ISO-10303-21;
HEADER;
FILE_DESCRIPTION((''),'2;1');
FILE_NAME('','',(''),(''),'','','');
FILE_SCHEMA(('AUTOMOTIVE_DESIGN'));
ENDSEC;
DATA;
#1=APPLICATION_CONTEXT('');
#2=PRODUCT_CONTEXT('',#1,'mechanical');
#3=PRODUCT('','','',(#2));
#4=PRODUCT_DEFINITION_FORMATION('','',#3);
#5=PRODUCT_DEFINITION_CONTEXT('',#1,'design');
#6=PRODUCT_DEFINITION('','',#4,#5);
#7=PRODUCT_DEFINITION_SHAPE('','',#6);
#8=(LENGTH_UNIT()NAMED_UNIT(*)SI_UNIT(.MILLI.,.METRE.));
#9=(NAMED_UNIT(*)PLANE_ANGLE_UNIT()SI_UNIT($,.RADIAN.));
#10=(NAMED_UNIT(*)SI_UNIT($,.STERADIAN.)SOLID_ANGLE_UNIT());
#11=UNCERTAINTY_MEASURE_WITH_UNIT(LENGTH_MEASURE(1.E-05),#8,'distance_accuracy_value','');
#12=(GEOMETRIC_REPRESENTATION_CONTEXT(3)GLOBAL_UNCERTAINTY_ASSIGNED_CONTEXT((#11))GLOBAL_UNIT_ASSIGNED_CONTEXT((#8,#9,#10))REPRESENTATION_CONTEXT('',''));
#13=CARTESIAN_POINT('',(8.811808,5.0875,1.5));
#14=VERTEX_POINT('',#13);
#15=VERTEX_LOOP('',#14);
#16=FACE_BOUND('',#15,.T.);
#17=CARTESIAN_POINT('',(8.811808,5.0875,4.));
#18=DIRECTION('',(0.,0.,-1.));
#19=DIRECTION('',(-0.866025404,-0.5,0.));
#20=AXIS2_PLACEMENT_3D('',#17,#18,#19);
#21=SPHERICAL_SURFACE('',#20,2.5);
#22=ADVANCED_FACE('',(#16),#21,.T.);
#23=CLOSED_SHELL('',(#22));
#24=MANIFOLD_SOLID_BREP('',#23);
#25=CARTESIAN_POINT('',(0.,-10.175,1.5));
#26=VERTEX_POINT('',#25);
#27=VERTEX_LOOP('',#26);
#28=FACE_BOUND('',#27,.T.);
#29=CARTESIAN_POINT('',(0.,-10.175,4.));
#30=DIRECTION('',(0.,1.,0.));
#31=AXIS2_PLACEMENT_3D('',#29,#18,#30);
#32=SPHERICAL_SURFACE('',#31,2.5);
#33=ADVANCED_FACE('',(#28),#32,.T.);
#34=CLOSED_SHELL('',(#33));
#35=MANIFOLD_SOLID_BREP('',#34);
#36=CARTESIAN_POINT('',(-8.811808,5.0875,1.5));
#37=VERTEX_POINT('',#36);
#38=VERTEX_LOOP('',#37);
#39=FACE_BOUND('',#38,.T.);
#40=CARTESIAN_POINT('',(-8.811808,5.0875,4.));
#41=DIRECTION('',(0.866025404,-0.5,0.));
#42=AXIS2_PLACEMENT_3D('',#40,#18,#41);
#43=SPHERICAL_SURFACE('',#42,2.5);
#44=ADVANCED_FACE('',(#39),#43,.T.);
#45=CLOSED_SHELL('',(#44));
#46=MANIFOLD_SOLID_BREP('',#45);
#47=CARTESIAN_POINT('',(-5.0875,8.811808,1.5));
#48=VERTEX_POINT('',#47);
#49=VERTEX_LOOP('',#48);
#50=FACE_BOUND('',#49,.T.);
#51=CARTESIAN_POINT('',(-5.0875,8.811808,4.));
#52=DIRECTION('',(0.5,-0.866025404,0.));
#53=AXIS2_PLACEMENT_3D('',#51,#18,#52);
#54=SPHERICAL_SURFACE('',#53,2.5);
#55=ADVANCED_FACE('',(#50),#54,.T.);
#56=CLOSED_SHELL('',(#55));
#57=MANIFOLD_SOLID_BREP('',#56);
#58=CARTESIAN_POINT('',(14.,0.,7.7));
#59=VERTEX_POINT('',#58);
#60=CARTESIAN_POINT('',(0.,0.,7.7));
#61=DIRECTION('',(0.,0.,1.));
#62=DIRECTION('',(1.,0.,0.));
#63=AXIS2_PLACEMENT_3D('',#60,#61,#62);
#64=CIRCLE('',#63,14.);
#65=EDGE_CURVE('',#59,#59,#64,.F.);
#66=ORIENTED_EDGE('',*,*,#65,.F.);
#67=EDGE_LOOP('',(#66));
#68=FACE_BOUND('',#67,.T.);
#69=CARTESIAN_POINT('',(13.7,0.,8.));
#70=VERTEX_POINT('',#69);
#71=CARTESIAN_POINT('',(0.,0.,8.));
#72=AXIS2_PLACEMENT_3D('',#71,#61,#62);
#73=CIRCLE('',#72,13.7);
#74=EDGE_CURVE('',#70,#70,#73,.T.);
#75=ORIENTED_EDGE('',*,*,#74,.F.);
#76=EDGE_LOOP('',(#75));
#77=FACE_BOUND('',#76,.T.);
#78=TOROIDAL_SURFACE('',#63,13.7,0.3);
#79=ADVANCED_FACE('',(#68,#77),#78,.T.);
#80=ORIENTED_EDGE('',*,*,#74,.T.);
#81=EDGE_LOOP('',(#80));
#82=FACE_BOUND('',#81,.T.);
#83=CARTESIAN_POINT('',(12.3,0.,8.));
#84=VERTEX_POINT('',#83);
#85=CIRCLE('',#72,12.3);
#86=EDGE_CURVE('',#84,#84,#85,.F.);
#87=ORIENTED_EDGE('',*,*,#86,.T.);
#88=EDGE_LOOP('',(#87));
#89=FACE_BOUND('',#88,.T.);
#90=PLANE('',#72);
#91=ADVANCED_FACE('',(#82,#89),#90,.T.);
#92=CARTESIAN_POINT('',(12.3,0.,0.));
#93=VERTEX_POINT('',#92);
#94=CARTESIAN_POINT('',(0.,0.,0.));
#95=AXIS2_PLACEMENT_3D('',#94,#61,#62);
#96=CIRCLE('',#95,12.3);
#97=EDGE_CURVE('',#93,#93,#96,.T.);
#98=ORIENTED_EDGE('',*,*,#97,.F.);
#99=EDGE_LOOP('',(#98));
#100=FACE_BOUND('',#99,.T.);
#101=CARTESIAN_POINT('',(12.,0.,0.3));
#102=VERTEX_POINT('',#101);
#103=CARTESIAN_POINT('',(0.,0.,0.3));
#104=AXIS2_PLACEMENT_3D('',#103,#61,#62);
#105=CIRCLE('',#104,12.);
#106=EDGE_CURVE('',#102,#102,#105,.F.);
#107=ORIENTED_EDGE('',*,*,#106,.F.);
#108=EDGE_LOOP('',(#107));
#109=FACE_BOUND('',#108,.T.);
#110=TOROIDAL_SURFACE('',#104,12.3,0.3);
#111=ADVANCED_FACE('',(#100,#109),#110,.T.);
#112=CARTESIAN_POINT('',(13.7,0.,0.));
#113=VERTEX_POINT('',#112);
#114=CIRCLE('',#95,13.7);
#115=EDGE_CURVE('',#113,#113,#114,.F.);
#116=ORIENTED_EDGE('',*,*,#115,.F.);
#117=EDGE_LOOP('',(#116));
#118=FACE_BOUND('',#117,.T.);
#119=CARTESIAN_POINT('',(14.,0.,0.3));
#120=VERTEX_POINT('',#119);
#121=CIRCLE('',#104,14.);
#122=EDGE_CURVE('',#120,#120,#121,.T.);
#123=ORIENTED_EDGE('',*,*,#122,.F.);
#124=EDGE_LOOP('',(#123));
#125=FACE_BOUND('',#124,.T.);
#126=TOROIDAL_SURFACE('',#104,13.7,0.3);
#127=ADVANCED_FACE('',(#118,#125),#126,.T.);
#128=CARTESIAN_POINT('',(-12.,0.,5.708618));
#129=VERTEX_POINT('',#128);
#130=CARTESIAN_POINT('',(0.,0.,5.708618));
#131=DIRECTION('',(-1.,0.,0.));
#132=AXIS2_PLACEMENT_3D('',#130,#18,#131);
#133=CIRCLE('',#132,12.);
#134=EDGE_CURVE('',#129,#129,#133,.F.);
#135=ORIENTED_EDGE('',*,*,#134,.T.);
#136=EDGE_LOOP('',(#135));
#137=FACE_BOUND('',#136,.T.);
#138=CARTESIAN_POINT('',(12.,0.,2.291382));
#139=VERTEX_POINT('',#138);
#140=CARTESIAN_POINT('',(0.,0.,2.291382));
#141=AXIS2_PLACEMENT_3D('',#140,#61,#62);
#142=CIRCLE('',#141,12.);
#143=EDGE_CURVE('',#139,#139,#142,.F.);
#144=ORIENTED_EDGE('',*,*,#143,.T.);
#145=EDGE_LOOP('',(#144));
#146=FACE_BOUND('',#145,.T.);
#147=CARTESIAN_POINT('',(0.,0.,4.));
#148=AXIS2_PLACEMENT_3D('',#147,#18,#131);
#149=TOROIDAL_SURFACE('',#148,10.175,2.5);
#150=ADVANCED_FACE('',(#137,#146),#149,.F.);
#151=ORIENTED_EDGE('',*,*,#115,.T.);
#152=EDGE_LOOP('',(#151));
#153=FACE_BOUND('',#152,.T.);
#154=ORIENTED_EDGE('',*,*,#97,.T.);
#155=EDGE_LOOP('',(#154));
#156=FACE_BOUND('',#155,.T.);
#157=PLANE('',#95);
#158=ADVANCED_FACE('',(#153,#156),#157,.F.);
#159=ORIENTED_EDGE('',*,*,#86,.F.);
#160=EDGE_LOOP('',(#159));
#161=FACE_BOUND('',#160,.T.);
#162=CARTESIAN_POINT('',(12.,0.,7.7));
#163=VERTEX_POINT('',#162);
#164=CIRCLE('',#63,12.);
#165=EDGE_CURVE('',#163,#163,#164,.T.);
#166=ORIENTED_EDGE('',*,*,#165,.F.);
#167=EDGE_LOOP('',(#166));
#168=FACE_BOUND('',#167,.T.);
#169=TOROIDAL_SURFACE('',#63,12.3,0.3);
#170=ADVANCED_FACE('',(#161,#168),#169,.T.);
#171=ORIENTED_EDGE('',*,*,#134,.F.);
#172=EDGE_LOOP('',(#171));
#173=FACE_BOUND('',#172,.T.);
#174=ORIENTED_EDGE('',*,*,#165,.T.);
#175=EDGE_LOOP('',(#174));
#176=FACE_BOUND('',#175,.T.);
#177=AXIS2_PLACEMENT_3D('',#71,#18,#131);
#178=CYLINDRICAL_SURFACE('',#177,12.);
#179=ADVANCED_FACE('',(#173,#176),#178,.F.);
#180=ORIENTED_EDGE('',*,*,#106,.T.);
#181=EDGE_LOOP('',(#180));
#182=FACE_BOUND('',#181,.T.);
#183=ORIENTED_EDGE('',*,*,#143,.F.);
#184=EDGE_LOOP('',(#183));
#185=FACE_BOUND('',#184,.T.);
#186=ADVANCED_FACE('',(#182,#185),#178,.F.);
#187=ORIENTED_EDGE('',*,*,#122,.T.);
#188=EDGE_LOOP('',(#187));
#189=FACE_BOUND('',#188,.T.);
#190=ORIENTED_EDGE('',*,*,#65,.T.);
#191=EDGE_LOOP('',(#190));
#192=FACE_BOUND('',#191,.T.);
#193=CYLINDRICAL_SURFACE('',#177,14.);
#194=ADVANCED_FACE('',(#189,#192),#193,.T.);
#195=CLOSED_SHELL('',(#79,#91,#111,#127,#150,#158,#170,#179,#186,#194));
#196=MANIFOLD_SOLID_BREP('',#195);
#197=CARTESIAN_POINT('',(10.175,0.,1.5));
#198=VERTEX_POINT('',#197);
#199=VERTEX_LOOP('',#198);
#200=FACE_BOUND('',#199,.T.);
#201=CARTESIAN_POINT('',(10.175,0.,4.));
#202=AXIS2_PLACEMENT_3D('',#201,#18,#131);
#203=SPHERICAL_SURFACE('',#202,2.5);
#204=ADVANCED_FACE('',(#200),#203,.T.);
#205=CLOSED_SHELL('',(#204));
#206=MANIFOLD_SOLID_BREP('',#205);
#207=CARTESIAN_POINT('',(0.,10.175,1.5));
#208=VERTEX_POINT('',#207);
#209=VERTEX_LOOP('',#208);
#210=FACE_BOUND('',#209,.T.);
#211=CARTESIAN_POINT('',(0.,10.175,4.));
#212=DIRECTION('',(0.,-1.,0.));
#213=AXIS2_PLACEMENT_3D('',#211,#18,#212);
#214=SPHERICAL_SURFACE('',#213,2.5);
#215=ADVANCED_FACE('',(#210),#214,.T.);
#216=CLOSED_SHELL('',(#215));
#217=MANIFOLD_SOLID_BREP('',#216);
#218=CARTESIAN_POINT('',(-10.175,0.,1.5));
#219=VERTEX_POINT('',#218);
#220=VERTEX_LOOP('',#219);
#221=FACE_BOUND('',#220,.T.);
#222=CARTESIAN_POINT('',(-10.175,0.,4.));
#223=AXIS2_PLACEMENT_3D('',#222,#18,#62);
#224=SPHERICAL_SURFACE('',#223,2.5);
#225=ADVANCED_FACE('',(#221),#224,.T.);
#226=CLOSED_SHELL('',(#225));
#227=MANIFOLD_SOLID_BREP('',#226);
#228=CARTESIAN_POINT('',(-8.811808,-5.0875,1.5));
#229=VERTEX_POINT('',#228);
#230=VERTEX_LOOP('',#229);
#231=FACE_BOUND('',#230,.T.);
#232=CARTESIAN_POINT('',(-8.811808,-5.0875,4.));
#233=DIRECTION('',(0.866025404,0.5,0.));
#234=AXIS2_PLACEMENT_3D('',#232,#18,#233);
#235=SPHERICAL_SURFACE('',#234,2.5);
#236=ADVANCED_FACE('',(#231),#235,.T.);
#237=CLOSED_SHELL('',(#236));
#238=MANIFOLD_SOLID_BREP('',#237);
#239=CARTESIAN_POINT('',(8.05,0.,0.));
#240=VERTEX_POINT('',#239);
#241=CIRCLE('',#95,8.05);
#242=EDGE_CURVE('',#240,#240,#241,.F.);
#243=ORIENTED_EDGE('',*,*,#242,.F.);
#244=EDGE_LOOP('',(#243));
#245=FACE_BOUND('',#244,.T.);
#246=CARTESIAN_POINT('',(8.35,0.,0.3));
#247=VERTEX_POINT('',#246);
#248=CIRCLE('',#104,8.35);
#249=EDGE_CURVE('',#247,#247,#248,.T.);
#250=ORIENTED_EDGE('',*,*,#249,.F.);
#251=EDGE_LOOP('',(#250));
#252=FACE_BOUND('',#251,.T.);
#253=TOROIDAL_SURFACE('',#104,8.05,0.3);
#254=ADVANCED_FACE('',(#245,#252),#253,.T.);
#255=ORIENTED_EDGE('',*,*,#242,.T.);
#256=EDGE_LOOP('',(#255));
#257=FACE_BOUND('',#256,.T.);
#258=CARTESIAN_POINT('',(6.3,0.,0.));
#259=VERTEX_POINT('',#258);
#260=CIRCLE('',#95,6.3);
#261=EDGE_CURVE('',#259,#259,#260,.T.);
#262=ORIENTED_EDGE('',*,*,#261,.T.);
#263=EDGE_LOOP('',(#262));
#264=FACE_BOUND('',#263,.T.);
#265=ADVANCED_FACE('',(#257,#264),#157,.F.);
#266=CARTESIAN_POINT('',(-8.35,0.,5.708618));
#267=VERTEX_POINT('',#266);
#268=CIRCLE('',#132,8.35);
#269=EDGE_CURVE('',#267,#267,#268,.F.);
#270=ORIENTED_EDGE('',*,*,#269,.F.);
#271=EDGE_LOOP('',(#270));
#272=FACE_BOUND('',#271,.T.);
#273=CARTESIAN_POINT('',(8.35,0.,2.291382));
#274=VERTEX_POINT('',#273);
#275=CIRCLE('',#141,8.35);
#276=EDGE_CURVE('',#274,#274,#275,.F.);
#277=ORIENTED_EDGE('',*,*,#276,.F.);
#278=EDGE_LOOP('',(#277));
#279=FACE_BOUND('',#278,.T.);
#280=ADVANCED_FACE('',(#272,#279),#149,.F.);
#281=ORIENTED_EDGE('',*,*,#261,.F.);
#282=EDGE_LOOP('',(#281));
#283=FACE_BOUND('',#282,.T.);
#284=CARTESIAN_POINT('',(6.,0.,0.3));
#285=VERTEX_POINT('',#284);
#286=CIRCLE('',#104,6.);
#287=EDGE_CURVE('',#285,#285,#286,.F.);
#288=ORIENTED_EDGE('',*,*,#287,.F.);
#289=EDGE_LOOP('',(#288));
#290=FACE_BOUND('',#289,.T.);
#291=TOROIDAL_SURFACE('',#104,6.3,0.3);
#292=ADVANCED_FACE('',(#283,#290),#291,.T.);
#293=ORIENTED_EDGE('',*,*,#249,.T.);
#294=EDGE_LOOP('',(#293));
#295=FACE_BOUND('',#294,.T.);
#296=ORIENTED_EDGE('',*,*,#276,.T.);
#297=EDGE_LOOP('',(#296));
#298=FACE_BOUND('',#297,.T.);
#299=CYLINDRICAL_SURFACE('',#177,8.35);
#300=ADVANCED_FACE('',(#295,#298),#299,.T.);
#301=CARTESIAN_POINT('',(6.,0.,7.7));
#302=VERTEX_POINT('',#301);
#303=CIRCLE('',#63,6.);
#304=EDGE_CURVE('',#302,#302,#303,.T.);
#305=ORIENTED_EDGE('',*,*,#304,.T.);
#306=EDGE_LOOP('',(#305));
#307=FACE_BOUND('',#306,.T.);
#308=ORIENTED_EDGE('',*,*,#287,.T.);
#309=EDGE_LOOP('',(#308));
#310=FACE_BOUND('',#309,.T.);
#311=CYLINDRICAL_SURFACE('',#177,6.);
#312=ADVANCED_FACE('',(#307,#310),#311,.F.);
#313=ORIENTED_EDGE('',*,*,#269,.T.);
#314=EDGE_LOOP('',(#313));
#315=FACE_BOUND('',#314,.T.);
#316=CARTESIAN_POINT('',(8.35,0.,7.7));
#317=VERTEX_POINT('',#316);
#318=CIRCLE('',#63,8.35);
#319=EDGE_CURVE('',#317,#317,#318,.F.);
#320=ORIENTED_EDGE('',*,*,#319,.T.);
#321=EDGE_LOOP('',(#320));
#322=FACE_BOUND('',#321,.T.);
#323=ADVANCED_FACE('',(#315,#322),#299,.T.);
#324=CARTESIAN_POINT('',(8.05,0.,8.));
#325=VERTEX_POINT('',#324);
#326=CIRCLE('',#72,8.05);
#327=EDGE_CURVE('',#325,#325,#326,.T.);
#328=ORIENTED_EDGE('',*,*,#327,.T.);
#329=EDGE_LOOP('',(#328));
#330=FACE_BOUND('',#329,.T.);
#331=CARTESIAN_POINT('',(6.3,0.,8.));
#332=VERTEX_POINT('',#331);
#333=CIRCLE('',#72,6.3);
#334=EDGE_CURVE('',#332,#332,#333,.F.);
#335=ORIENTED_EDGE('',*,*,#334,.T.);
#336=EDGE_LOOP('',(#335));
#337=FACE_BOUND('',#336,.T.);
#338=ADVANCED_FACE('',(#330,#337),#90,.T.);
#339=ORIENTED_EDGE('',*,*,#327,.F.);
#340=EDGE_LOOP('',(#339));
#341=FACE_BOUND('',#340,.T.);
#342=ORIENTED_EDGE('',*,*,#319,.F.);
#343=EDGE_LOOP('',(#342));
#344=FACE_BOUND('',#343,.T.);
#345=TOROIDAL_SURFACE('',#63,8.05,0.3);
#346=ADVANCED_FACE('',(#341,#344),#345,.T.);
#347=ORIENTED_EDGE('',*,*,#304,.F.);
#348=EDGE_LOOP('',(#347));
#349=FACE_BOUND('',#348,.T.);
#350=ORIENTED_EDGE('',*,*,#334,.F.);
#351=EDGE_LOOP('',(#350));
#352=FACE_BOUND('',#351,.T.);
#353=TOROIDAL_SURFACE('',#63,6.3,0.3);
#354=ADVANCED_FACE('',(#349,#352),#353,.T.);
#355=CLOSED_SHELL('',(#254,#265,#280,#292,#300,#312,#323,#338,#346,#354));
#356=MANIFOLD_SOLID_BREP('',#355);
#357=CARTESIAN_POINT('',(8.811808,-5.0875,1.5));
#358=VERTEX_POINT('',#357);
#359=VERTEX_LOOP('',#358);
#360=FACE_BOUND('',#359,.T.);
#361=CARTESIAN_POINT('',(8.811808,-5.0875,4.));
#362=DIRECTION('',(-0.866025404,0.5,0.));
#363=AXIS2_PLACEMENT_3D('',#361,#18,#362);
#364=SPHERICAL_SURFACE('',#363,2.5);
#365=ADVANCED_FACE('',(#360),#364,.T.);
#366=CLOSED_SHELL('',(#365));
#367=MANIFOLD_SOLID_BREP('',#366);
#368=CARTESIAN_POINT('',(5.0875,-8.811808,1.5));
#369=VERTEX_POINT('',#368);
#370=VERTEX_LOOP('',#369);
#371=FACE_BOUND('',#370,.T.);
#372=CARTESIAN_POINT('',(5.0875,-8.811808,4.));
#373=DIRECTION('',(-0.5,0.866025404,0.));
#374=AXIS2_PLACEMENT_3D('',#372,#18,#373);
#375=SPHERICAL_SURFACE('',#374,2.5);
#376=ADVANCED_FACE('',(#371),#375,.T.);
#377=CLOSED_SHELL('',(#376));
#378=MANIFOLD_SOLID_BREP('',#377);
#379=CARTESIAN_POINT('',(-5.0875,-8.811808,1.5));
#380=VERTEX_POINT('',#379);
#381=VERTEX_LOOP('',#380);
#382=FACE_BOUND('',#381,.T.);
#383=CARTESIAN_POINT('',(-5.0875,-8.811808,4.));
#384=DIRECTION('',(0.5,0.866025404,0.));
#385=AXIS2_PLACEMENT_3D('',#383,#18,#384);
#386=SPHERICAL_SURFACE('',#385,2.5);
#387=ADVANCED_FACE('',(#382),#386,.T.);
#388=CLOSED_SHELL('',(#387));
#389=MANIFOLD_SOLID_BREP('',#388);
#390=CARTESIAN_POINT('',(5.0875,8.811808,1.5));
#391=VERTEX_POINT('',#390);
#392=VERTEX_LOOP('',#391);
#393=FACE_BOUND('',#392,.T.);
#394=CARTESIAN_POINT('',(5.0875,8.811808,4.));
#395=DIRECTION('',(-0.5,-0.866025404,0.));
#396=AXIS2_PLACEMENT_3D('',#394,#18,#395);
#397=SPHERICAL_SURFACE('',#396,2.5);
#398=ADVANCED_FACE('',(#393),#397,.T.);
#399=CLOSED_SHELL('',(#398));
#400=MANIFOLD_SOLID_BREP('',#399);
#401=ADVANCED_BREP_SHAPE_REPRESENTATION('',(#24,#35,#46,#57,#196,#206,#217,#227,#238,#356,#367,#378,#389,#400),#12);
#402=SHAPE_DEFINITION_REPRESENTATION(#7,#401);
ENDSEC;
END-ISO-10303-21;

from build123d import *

# Parameters (mm, degrees)
SKETCH1_R             = 14
SKETCH1_R_2           = 12
BOSS_EXTRUDE1_DEPTH   = 8
SKETCH1_R_3           = 8.35
SKETCH1_R_4           = 6
BOSS_EXTRUDE1_2_DEPTH = 8
SKETCH4_R             = 2.5
CIRPATTERN1_COUNT     = 12
FILLET1_R             = 0.3
FILLET2_R             = 0.3


with BuildPart() as part:
    # Sketch1 → Boss-Extrude1 (new body)
    with BuildSketch(Plane.XY):
        Circle(SKETCH1_R)
        Circle(SKETCH1_R_2, mode=Mode.SUBTRACT)
    extrude(amount=BOSS_EXTRUDE1_DEPTH)


with BuildPart() as body_2:
    # Sketch1 → Boss-Extrude1 2 (new body)
    with BuildSketch(Plane.XY):
        Circle(SKETCH1_R_3)
        Circle(SKETCH1_R_4, mode=Mode.SUBTRACT)
    extrude(amount=BOSS_EXTRUDE1_2_DEPTH)


with BuildPart() as cut_sweep1_tool:
    # Cut-Sweep1: sweep along a path in Sketch2
    with BuildLine(Plane.XY.offset(4)) as cut_sweep1_path:
        CenterArc((0, 0), 10.175, 0, 360)
    # Sketch4 → Cut-Sweep1 (sweep)
    with BuildSketch(Plane(origin=(0, 0, 0), x_dir=(1, 0, 0), z_dir=(0, 1, 0))):
        with Locations((-10.175, -4)):
            Circle(SKETCH4_R)
    sweep(path=cut_sweep1_path.line)


with BuildPart() as part_1:
    add(part.part)

    # Cut-Sweep1: cut by cut_sweep1_tool
    add(cut_sweep1_tool.part, mode=Mode.SUBTRACT)

    # Fillet1
    fillet1_edges = [part_1.edges().sort_by_distance(p)[0] for p in [
        (-12, 0, 0),
        (-14, 0, 0),
        (-12, 0, 8),
        (-14, 0, 8),
    ]]
    fillet(fillet1_edges, radius=FILLET1_R)


with BuildPart() as body_2_1:
    add(body_2.part)

    # Cut-Sweep1: cut by cut_sweep1_tool
    add(cut_sweep1_tool.part, mode=Mode.SUBTRACT)

    # Fillet2
    fillet2_edges = [body_2_1.edges().sort_by_distance(p)[0] for p in [
        (-6, 0, 8),
        (-8.35, 0, 8),
        (-6, 0, 0),
        (-8.35, 0, 0),
    ]]
    fillet(fillet2_edges, radius=FILLET2_R)


with BuildPart() as body_3:
    # Sketch5 → Revolve1 (revolve)
    with BuildSketch(Plane(origin=(0, 0, 0), x_dir=(1, 0, 0), z_dir=(0, 1, 0))):
        with BuildLine():
            Line((-10.175, -1.5), (-10.175, -6.5))
            ThreePointArc((-10.175, -6.5), (-12.675, -4), (-10.175, -1.5))
        make_face()
    revolve(axis=Axis((-10.175, 0, 1.5), (0, 0, 1)))


with BuildPart() as cirpattern1_1:
    # CirPattern1: pattern copy
    add(body_3.part.rotate(Axis((0, 0, 8), (0, 0, -1)), 1 * 360 / CIRPATTERN1_COUNT))


with BuildPart() as cirpattern1_2:
    # CirPattern1: pattern copy
    add(body_3.part.rotate(Axis((0, 0, 8), (0, 0, -1)), 2 * 360 / CIRPATTERN1_COUNT))


with BuildPart() as cirpattern1_3:
    # CirPattern1: pattern copy
    add(body_3.part.rotate(Axis((0, 0, 8), (0, 0, -1)), 3 * 360 / CIRPATTERN1_COUNT))


with BuildPart() as cirpattern1_4:
    # CirPattern1: pattern copy
    add(body_3.part.rotate(Axis((0, 0, 8), (0, 0, -1)), 4 * 360 / CIRPATTERN1_COUNT))


with BuildPart() as cirpattern1_5:
    # CirPattern1: pattern copy
    add(body_3.part.rotate(Axis((0, 0, 8), (0, 0, -1)), 5 * 360 / CIRPATTERN1_COUNT))


with BuildPart() as cirpattern1_6:
    # CirPattern1: pattern copy
    add(body_3.part.rotate(Axis((0, 0, 8), (0, 0, -1)), 6 * 360 / CIRPATTERN1_COUNT))


with BuildPart() as cirpattern1_7:
    # CirPattern1: pattern copy
    add(body_3.part.rotate(Axis((0, 0, 8), (0, 0, -1)), 7 * 360 / CIRPATTERN1_COUNT))


with BuildPart() as cirpattern1_8:
    # CirPattern1: pattern copy
    add(body_3.part.rotate(Axis((0, 0, 8), (0, 0, -1)), 8 * 360 / CIRPATTERN1_COUNT))


with BuildPart() as cirpattern1_9:
    # CirPattern1: pattern copy
    add(body_3.part.rotate(Axis((0, 0, 8), (0, 0, -1)), 9 * 360 / CIRPATTERN1_COUNT))


with BuildPart() as cirpattern1_10:
    # CirPattern1: pattern copy
    add(body_3.part.rotate(Axis((0, 0, 8), (0, 0, -1)), 10 * 360 / CIRPATTERN1_COUNT))


with BuildPart() as cirpattern1_11:
    # CirPattern1: pattern copy
    add(body_3.part.rotate(Axis((0, 0, 8), (0, 0, -1)), 11 * 360 / CIRPATTERN1_COUNT))


solid = Compound([part_1.part, body_2_1.part, body_3.part, cirpattern1_1.part, cirpattern1_2.part, cirpattern1_3.part, cirpattern1_4.part, cirpattern1_5.part, cirpattern1_6.part, cirpattern1_7.part, cirpattern1_8.part, cirpattern1_9.part, cirpattern1_10.part, cirpattern1_11.part])
